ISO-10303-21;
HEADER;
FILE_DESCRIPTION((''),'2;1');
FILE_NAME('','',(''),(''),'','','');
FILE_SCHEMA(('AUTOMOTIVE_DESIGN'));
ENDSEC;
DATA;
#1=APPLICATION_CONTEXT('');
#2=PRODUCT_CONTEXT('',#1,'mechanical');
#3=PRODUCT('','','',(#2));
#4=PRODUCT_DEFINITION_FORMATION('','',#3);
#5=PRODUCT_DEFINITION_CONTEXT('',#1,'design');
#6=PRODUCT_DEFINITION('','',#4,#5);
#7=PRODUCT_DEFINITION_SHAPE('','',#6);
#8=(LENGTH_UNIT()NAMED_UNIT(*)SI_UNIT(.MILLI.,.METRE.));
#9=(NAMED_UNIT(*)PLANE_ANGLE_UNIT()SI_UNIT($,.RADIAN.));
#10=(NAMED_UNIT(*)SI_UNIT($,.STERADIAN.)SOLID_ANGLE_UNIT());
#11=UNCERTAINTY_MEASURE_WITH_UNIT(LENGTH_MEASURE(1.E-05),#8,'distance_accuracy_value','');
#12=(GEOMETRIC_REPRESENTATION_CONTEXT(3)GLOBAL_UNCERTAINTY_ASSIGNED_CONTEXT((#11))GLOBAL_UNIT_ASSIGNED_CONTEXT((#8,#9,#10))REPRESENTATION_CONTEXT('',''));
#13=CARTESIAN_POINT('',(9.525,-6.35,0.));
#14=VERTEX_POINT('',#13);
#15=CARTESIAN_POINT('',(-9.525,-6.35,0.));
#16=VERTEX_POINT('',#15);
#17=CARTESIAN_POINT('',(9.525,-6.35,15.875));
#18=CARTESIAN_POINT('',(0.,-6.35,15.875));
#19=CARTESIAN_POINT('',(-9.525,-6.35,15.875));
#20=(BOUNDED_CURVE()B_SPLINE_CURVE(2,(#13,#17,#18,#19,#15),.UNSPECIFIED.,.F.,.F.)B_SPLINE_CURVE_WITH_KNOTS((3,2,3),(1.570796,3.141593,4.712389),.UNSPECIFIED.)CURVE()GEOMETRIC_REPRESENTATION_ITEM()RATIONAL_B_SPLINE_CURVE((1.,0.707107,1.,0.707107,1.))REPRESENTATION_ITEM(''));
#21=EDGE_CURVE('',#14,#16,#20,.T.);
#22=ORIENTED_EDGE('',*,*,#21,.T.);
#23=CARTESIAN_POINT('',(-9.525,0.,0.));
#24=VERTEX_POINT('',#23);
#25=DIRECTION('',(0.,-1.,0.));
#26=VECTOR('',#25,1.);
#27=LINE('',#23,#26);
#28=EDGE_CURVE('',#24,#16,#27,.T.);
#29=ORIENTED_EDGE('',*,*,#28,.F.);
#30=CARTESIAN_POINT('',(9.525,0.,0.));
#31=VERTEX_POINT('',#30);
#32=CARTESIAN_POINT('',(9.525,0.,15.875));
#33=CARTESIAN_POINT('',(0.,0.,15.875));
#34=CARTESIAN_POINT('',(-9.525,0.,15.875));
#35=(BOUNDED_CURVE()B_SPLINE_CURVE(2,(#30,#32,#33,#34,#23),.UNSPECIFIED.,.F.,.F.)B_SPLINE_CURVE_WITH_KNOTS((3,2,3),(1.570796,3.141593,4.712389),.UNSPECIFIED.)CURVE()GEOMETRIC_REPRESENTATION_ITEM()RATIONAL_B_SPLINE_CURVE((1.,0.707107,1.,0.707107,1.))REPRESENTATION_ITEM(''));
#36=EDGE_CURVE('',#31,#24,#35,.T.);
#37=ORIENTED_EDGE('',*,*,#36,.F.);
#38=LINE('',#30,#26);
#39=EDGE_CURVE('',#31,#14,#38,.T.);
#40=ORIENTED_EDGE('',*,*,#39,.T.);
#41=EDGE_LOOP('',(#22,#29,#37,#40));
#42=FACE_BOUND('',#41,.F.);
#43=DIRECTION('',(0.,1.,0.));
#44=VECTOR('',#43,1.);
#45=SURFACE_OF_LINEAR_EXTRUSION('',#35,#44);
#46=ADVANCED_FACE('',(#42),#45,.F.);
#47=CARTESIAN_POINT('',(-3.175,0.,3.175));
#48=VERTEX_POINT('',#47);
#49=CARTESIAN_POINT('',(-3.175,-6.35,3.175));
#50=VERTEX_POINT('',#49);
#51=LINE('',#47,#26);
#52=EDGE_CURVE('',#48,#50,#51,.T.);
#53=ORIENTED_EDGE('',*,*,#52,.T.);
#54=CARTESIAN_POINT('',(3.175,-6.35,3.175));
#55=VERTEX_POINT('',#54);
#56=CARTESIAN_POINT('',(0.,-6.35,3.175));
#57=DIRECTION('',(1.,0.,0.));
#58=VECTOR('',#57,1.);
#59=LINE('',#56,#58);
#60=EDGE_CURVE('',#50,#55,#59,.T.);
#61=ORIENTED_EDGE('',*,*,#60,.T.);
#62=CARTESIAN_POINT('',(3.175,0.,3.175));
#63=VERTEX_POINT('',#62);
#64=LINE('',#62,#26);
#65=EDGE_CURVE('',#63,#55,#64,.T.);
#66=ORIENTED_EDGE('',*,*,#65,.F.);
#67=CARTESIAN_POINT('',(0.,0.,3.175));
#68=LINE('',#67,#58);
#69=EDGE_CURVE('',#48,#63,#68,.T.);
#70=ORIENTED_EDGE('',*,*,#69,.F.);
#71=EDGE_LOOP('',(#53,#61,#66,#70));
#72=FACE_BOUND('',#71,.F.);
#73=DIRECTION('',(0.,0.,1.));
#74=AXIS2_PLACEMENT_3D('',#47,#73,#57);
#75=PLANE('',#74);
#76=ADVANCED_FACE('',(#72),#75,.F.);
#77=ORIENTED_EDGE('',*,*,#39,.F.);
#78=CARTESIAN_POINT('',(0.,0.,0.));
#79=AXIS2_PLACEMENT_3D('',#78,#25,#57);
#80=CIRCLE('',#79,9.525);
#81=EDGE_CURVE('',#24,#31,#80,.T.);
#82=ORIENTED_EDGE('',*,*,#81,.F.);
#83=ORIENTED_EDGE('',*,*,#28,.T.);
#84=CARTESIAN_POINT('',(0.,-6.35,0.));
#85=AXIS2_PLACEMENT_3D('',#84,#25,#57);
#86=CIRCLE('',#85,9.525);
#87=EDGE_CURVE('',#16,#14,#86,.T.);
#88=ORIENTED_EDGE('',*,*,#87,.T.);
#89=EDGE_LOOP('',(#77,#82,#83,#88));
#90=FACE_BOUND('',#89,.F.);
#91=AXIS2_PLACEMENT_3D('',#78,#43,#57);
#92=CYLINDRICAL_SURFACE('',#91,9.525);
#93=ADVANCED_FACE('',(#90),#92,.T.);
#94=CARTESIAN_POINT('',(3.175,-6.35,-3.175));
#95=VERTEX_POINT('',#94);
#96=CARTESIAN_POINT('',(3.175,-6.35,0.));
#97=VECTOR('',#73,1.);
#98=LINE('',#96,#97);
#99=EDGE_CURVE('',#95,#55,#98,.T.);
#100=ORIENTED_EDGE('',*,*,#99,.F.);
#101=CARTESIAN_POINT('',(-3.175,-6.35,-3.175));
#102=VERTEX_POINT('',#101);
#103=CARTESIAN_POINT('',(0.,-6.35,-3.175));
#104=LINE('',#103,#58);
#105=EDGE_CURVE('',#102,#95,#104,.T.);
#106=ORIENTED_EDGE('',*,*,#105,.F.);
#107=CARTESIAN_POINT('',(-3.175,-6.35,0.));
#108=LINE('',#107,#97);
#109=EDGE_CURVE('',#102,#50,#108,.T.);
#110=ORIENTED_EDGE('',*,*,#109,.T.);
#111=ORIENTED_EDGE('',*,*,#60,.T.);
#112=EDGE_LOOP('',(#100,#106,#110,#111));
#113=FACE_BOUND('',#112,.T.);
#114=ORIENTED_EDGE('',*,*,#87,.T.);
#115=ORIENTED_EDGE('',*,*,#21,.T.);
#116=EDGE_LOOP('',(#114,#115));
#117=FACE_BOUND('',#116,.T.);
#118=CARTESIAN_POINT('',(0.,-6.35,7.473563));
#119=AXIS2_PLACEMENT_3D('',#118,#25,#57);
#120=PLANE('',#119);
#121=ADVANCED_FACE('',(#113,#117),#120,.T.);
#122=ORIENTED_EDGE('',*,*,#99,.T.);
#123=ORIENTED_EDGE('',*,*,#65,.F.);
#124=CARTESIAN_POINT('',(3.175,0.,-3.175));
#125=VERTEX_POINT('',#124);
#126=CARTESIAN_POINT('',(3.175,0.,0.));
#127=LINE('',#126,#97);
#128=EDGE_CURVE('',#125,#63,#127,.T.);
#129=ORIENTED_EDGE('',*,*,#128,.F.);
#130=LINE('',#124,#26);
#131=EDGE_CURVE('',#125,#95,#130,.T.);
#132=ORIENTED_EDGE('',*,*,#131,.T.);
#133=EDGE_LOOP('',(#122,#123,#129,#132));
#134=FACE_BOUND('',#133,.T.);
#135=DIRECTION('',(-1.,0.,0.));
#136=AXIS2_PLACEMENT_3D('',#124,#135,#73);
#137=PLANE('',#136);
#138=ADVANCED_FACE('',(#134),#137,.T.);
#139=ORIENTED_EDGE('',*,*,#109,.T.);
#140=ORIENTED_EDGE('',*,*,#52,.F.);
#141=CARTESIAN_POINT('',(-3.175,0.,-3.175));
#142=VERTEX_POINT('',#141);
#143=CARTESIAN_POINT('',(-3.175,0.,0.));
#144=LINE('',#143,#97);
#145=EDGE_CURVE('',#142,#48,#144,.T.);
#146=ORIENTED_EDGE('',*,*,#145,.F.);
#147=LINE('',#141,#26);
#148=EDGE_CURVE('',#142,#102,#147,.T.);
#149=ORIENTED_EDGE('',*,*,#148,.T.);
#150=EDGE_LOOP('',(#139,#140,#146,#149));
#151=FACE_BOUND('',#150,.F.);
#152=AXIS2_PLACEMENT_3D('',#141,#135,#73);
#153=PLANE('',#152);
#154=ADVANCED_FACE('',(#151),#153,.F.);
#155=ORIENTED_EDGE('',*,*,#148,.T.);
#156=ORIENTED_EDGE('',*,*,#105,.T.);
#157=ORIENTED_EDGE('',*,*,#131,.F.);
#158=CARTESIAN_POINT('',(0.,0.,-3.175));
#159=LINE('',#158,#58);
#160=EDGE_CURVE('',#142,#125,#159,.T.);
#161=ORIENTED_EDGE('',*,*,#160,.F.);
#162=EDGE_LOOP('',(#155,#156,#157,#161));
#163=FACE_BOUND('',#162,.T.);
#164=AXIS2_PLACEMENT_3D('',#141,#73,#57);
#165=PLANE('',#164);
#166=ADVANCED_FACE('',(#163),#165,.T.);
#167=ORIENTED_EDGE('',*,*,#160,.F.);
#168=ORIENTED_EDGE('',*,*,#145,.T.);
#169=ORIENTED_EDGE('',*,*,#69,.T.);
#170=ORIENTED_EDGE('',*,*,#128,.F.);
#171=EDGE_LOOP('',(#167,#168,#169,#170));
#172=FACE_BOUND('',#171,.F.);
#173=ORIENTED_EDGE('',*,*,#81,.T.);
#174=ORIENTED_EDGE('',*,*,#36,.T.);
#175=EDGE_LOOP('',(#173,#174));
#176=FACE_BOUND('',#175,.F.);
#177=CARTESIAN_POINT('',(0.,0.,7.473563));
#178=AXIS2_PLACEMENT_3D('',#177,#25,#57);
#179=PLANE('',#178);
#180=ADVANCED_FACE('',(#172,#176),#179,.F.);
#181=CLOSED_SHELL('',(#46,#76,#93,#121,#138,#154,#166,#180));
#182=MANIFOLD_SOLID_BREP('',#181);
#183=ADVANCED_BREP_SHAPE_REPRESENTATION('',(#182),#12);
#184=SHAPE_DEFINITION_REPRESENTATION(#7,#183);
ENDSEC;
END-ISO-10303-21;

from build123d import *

# Parameters (mm, degrees)
F0_W     = 6.35
F0_H     = 6.35
F1_DEPTH = 6.35


with BuildPart() as f1:
    # F0 (on Front) → F1 (new body)
    with BuildSketch(Plane.XZ):
        with BuildLine():
            ThreePointArc((-9.525, 0), (0, 9.525), (9.525, 0))
            add(Edge.make_bspline(
                [(9.525, 0), (9.525, 15.875), (0, 15.875), (-9.525, 15.875), (-9.525, 0)],
                knots=[1.570796, 1.570796, 1.570796, 3.141593, 3.141593, 4.712389, 4.712389, 4.712389], degree=2, weights=[1, 0.707107, 1, 0.707107, 1]))
        make_face()
        with BuildLine():
            ThreePointArc((-9.525, 0), (0, -9.525), (9.525, 0))
            ThreePointArc((9.525, 0), (0, 9.525), (-9.525, 0))
        make_face()
        Rectangle(F0_W, F0_H, mode=Mode.SUBTRACT)
    extrude(amount=F1_DEPTH)


solid = f1.part
